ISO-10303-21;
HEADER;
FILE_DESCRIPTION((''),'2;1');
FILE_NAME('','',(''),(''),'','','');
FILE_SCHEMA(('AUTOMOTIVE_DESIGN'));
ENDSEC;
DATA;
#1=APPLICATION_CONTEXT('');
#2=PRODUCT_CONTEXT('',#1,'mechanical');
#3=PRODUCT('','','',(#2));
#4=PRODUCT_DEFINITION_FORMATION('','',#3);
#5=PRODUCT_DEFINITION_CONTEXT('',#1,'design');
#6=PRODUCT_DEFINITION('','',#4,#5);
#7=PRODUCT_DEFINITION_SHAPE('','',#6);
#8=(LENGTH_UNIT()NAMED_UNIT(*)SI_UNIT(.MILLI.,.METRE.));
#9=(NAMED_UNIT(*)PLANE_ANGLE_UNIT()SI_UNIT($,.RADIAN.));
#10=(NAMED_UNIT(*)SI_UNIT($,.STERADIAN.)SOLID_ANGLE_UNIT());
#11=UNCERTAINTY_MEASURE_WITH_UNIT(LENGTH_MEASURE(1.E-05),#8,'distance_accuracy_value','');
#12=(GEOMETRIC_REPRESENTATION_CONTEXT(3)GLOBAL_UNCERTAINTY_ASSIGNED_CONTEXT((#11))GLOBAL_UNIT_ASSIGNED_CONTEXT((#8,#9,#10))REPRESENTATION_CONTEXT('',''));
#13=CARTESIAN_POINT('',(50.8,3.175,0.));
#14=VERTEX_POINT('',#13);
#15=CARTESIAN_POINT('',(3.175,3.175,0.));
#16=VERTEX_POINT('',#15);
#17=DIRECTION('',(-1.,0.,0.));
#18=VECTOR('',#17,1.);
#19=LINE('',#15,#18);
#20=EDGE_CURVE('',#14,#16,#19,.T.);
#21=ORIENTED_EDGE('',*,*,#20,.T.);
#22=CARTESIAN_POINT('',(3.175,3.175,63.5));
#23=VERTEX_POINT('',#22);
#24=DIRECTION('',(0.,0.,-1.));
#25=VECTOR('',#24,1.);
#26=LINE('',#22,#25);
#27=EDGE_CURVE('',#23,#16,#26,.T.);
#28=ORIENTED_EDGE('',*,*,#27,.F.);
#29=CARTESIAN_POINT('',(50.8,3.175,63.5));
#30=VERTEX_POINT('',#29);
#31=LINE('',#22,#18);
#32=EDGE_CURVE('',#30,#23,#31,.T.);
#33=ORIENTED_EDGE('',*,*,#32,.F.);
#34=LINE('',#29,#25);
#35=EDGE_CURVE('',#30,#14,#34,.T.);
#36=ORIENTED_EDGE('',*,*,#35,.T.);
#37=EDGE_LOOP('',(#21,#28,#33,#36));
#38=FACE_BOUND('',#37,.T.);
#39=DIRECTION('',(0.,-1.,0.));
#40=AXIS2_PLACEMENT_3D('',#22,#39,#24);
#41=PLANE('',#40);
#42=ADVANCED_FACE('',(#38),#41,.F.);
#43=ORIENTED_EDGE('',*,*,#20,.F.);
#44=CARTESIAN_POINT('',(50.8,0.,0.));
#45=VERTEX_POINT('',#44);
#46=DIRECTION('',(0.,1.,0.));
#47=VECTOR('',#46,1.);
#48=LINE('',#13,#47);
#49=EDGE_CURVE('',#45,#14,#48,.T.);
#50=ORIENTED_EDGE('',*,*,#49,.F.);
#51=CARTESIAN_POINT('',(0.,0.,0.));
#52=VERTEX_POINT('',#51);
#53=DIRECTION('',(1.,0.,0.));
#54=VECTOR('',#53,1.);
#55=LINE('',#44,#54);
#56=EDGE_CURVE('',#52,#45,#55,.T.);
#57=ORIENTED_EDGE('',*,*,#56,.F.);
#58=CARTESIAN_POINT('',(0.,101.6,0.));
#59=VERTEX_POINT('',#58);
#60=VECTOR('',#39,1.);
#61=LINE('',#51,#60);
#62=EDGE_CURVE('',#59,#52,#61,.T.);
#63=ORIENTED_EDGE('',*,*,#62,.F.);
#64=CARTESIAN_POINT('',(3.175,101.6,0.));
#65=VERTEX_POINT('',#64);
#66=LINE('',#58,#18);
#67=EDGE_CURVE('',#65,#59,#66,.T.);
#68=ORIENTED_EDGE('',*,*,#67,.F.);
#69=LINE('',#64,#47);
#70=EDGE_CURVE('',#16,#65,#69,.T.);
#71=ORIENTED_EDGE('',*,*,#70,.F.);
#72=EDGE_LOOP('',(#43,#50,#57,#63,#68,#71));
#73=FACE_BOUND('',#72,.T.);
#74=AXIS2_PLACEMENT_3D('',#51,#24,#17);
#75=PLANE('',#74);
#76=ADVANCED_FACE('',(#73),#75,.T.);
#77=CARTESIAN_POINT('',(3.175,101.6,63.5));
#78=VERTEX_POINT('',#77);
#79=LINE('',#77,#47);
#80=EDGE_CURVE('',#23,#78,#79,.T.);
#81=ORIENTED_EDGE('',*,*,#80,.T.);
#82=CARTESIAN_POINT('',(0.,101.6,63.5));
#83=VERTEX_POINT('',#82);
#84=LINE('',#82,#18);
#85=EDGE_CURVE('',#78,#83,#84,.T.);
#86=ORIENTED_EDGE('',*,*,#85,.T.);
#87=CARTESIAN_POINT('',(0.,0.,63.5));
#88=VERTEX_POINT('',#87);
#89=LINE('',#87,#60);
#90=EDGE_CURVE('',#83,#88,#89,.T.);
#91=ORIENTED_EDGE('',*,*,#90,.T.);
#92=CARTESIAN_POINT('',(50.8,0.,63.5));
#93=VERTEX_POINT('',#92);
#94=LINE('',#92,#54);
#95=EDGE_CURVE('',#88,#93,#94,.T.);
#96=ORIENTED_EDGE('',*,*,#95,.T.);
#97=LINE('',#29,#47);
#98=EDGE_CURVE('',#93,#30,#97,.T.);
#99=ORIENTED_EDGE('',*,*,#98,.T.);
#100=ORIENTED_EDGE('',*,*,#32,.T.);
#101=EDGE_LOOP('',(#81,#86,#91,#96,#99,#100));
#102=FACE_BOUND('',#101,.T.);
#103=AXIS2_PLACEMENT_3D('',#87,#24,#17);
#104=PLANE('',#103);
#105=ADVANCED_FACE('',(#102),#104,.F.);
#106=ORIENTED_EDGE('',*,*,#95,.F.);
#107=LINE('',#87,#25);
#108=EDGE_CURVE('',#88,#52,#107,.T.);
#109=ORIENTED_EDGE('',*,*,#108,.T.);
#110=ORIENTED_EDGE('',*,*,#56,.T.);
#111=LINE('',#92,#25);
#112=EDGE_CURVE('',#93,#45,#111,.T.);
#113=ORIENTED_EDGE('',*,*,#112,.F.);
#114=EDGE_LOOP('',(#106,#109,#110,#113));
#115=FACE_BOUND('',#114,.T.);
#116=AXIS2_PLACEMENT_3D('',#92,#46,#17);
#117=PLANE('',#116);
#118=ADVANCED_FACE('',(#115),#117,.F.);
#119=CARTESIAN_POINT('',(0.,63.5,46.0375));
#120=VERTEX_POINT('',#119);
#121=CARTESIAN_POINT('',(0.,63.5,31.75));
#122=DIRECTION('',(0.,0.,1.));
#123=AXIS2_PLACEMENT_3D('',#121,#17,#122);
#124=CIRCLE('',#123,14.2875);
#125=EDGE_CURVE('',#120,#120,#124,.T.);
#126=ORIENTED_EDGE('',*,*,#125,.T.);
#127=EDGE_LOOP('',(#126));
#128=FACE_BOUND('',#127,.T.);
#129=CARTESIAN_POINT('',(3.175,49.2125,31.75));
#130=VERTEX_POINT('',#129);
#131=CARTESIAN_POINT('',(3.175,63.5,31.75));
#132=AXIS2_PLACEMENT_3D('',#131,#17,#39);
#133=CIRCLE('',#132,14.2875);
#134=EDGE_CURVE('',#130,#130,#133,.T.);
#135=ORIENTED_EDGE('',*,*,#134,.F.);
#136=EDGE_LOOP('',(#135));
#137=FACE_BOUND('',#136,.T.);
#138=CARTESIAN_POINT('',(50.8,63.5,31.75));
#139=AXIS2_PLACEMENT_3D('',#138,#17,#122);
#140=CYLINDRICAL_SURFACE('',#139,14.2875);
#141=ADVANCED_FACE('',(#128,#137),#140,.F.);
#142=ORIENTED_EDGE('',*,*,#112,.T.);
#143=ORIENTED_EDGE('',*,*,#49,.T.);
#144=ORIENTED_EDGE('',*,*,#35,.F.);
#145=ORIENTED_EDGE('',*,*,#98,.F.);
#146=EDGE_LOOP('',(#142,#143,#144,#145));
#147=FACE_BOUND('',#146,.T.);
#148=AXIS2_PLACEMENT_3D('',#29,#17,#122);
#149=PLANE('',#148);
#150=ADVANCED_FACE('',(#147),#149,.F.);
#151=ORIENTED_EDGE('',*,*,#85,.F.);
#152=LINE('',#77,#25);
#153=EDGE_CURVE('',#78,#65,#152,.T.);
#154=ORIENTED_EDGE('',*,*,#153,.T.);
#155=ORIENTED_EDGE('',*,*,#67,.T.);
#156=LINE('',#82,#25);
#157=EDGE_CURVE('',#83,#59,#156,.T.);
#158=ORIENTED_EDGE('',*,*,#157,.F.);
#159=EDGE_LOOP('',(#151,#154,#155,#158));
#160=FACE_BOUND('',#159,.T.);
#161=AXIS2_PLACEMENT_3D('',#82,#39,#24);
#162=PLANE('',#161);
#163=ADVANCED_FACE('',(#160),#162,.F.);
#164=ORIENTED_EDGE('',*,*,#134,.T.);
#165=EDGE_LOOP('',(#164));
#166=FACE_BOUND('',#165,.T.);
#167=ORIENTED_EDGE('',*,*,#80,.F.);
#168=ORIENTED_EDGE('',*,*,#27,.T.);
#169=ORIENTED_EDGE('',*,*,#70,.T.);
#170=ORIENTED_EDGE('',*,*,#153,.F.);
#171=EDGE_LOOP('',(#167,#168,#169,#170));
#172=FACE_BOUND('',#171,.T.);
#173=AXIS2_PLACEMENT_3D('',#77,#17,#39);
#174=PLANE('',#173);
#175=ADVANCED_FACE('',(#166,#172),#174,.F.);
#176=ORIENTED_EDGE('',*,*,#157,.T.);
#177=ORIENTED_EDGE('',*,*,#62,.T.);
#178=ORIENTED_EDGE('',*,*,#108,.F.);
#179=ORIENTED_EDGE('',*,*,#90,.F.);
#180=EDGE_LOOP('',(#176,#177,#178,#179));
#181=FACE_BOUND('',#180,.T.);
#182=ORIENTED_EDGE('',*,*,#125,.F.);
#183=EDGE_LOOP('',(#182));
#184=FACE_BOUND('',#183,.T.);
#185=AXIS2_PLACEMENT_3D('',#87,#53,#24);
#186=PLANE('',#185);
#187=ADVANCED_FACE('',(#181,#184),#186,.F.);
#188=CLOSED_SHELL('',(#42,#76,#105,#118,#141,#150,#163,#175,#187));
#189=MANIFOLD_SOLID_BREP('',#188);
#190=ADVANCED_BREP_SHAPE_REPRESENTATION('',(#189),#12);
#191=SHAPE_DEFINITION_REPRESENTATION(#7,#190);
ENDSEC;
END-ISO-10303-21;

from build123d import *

# Parameters (mm, degrees)
BOSS_EXTRUDE1_DEPTH = 63.5
SKETCH2_R           = 14.2875
CUT_EXTRUDE1_DEPTH  = 51.8


with BuildPart() as part:
    # Sketch1 → Boss-Extrude1 (new body)
    with BuildSketch(Plane.XY):
        Polygon((0, 0), (0, 101.6), (3.175, 101.6), (3.175, 3.175), (50.8, 3.175), (50.8, 0), align=None)
    extrude(amount=BOSS_EXTRUDE1_DEPTH)

    # Sketch2 → Cut-Extrude1 (cut, through all)
    with BuildSketch(Plane.ZY):
        with Locations((31.75, 63.5)):
            Circle(SKETCH2_R)
    extrude(amount=-CUT_EXTRUDE1_DEPTH, mode=Mode.SUBTRACT)


solid = part.part
